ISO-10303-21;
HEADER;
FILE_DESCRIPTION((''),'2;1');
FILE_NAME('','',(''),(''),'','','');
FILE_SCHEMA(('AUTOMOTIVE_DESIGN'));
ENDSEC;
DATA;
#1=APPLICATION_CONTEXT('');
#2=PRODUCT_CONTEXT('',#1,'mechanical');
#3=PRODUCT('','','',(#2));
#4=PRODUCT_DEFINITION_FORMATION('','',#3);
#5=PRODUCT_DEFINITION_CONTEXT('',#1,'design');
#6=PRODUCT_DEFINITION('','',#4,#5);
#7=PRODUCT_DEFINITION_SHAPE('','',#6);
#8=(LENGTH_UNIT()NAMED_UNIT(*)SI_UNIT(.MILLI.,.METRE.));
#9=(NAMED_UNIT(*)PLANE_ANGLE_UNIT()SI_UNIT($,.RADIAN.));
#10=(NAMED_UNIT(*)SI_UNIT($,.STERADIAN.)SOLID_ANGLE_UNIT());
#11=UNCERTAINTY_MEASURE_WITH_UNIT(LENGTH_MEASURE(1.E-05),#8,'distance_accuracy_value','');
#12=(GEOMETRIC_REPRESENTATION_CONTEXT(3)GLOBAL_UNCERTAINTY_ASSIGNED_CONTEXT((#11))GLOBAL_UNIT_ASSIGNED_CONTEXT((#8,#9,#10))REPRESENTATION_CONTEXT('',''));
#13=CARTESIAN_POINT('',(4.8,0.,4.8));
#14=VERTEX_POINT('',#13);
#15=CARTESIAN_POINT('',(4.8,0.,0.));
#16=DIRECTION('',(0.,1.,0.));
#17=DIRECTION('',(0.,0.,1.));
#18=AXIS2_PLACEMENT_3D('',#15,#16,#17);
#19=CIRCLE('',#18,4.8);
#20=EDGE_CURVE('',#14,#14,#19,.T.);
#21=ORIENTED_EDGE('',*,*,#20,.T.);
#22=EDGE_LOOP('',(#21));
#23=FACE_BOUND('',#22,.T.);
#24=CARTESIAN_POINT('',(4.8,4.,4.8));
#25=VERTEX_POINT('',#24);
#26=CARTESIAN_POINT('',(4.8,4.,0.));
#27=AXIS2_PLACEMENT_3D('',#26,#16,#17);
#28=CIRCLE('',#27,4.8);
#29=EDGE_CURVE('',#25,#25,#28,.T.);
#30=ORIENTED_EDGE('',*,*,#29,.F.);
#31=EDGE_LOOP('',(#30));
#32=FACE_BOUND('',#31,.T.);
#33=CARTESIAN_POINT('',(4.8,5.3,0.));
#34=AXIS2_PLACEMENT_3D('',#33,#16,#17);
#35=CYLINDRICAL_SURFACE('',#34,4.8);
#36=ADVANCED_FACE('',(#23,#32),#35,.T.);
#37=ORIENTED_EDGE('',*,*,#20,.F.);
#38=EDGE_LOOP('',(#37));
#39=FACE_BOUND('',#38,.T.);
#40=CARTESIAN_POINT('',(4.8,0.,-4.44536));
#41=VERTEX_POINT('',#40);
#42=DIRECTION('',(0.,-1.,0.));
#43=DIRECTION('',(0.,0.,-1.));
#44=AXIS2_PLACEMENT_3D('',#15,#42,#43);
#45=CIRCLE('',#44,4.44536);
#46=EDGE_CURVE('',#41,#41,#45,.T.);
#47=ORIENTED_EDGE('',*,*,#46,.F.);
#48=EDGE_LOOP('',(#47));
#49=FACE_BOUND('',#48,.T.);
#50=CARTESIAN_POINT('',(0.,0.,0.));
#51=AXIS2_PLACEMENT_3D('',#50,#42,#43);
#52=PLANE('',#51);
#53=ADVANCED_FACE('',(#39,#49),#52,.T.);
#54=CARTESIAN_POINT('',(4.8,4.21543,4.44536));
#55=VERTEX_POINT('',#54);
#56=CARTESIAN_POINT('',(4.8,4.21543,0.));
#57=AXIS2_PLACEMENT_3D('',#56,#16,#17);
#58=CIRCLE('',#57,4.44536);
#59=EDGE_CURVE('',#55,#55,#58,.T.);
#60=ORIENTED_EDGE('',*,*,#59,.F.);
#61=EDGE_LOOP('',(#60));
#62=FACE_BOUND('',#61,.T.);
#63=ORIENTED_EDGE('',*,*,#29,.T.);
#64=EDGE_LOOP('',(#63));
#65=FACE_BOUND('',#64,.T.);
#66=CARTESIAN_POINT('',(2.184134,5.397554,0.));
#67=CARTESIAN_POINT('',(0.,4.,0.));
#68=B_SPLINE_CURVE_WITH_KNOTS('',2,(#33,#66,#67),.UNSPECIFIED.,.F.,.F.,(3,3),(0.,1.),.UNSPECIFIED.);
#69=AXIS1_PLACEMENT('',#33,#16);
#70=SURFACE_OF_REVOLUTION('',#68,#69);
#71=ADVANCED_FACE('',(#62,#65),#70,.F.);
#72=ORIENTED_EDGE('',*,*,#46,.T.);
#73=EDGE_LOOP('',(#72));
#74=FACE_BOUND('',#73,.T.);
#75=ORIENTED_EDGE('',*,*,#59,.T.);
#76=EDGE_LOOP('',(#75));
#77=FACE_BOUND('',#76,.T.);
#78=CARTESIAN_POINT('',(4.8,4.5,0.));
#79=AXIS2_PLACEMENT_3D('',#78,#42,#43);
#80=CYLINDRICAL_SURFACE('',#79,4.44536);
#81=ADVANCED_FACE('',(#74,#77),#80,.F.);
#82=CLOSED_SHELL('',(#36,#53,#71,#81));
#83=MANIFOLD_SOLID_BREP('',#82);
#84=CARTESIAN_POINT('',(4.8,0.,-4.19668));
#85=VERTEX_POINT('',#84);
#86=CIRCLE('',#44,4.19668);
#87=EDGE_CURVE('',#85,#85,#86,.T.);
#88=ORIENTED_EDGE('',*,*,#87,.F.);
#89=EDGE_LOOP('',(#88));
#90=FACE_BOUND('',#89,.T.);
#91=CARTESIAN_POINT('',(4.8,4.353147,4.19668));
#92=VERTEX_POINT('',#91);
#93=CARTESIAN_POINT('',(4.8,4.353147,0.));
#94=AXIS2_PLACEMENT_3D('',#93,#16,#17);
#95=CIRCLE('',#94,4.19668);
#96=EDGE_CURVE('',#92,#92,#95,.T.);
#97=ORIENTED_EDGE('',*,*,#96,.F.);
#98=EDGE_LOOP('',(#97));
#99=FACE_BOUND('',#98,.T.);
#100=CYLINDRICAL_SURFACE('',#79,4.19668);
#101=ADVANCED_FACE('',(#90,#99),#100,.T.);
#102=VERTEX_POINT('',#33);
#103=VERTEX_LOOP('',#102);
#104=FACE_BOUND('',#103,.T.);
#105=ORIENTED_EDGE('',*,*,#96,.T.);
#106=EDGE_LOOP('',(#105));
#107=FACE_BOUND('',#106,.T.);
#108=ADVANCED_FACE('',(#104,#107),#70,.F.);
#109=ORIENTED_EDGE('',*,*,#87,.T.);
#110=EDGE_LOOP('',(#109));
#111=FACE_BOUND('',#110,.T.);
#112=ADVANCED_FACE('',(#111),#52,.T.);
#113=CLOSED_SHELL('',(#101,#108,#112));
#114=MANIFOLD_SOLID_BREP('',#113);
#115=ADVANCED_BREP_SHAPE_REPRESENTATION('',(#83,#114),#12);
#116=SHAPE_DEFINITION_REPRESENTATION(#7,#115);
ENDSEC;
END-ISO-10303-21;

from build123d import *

# Parameters (mm, degrees)
SKETCH2_R          = 4.44536043
SKETCH2_R_2        = 4.196679611
CUT_EXTRUDE1_DEPTH = 4.5


with BuildPart() as part:
    # Sketch1 → Revolve1 (revolve)
    with BuildSketch(Plane.XY):
        with BuildLine():
            Line((0, 0), (0, 4))
            add(Edge.make_bspline(
                [(0, 4), (2.184134462, 5.397553825), (4.8, 5.3)],
                knots=[0, 0, 0, 1, 1, 1], degree=2))
            Line((4.8, 5.3), (4.8, 0))
            Line((4.8, 0), (0, 0))
        make_face()
    revolve(axis=Axis((4.8, 5.3, 0), (0, -1, 0)))

    # Sketch2 → Cut-Extrude1 (cut)
    with BuildSketch(Plane.XZ):
        with Locations((4.8, 0)):
            Circle(SKETCH2_R)
        with Locations((4.8, 0)):
            Circle(SKETCH2_R_2, mode=Mode.SUBTRACT)
    extrude(amount=-CUT_EXTRUDE1_DEPTH, mode=Mode.SUBTRACT)


solid = part.part
